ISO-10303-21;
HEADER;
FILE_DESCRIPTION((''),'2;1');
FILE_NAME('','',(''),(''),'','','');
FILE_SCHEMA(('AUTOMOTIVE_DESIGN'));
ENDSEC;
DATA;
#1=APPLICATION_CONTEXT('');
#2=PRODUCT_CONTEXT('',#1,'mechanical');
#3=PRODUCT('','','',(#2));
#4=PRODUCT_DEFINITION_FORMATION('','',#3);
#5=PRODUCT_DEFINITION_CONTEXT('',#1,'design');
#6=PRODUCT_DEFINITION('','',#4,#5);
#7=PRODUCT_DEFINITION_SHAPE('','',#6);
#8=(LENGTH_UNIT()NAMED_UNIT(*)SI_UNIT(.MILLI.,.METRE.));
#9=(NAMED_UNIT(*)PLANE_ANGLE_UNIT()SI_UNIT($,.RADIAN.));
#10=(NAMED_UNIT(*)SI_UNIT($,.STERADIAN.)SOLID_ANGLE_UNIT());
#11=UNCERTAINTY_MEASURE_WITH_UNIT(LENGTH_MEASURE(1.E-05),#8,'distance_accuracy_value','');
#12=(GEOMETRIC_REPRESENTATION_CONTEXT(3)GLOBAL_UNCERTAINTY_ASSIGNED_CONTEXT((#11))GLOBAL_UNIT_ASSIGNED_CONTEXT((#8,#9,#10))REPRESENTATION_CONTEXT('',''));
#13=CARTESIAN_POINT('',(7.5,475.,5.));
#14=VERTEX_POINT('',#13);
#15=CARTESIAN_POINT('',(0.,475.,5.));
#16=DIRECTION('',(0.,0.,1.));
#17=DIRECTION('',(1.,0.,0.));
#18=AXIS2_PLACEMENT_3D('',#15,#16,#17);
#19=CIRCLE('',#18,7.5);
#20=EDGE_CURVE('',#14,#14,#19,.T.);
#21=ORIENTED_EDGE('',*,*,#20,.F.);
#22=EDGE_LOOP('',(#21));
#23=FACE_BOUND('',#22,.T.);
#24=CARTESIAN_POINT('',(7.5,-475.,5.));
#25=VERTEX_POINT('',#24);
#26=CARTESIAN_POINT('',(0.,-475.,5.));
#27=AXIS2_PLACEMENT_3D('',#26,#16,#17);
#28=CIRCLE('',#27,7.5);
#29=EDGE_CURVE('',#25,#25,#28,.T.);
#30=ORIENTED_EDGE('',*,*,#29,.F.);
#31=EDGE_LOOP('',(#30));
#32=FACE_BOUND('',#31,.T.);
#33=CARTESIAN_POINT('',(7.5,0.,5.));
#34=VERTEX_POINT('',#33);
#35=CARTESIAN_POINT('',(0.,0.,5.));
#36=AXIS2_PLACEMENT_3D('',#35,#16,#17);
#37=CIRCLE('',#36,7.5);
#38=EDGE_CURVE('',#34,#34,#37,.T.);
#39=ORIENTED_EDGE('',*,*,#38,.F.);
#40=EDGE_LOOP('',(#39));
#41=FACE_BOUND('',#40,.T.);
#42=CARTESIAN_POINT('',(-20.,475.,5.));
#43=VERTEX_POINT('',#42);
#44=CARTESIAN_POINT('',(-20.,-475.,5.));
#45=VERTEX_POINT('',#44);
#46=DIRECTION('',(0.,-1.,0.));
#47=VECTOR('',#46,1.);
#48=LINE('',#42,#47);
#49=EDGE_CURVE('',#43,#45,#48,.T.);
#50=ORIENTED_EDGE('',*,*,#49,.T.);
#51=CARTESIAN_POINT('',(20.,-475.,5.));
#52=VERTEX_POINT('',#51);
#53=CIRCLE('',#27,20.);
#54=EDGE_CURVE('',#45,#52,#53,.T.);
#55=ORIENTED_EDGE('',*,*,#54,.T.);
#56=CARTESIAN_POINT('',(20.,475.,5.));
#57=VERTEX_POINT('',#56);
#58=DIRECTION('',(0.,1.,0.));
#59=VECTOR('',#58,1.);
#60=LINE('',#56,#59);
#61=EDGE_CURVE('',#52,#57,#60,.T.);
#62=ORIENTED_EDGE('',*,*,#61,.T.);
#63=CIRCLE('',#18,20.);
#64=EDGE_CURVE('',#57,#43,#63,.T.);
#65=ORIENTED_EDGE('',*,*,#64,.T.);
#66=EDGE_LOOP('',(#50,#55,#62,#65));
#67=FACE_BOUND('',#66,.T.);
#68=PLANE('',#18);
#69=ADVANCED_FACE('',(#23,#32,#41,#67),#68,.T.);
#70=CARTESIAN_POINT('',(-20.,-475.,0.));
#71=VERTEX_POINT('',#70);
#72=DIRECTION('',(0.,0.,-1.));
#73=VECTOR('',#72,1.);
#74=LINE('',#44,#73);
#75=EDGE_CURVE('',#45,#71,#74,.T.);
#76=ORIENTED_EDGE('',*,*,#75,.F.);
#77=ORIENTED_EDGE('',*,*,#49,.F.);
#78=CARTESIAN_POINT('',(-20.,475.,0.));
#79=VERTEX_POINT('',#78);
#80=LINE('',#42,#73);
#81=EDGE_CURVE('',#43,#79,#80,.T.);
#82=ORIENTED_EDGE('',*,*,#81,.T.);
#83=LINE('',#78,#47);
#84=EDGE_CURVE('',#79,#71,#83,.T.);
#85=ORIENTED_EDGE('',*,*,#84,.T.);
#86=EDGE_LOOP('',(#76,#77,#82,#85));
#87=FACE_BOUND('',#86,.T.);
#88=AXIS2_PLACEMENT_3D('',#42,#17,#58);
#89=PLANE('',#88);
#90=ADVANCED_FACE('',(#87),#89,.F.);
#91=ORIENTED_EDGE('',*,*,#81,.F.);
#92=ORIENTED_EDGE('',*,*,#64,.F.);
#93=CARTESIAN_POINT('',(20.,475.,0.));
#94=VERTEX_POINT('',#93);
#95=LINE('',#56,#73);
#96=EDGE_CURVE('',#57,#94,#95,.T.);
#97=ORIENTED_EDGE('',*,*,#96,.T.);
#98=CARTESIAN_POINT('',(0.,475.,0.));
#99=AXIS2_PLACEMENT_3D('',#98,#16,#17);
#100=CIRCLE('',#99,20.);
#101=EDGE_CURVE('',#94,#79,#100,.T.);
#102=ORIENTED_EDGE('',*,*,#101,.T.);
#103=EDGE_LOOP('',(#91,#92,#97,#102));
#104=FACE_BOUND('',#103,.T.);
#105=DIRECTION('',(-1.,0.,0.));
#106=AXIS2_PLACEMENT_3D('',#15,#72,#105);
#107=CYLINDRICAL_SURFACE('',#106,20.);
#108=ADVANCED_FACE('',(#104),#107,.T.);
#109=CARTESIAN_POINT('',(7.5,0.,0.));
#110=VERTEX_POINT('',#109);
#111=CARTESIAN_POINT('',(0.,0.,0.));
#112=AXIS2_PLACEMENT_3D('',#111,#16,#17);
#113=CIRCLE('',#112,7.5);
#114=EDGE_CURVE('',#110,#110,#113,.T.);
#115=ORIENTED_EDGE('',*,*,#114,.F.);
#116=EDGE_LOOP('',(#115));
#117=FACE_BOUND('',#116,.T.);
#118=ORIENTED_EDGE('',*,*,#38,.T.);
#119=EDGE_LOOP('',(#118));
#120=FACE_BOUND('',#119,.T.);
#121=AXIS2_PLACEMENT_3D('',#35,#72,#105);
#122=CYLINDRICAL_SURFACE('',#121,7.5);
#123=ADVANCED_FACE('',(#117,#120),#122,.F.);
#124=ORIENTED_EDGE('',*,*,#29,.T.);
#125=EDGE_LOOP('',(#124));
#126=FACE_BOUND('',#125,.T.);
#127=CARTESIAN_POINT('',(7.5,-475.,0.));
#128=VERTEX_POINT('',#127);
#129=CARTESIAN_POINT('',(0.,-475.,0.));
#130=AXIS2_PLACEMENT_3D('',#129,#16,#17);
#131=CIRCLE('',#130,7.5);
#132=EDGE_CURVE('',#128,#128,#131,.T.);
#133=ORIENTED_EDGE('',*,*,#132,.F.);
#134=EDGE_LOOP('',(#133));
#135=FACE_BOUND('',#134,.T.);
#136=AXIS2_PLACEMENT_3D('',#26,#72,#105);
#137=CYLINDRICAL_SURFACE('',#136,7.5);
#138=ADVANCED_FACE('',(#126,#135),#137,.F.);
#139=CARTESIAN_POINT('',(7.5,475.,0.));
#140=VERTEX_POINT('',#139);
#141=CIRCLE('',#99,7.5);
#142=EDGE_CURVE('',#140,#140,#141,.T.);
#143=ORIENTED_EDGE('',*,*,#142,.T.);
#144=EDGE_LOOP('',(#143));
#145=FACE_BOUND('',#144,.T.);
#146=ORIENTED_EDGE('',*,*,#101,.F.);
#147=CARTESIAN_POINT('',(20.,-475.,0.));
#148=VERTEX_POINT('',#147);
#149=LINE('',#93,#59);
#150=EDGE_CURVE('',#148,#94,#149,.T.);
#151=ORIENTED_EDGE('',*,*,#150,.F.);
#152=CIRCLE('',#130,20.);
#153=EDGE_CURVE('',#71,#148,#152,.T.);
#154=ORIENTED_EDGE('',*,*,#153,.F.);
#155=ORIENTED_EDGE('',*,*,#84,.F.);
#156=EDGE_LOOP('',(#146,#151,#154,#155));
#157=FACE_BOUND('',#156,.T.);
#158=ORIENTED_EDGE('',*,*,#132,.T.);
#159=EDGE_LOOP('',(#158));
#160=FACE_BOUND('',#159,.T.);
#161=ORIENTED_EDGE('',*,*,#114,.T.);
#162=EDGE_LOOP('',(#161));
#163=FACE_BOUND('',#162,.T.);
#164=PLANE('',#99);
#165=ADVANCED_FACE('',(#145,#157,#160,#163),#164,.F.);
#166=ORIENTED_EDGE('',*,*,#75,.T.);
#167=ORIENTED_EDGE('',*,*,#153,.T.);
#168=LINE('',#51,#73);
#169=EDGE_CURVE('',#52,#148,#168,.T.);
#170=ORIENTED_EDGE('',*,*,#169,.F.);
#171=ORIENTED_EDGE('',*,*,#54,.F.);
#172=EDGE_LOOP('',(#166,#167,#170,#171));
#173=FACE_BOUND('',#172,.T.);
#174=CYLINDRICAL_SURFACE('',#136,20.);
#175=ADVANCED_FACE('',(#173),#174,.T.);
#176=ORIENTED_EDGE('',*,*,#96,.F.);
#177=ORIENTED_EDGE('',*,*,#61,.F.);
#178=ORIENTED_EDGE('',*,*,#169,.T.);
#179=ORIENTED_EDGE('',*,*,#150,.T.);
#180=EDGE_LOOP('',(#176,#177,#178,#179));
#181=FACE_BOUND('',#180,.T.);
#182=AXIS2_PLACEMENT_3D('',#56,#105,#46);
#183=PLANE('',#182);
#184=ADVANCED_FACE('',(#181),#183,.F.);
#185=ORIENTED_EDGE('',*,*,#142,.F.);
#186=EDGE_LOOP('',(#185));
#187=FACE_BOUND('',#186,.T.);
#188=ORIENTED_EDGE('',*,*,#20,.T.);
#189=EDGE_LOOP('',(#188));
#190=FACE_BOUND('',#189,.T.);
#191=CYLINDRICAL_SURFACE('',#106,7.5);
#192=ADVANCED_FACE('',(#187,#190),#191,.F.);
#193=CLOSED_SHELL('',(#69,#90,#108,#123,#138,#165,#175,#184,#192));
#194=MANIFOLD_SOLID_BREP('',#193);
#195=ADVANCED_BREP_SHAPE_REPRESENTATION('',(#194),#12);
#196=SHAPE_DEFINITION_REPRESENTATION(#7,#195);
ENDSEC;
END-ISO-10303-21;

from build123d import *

# Parameters (mm, degrees)
SKETCH1_R           = 7.5
BOSS_EXTRUDE1_DEPTH = 5


with BuildPart() as part:
    # Sketch1 → Boss-Extrude1 (new body)
    with BuildSketch(Plane.XY):
        with BuildLine():
            Line((20, 475), (20, -475))
            ThreePointArc((20, -475), (0, -495), (-20, -475))
            Line((-20, -475), (-20, 475))
            ThreePointArc((-20, 475), (0, 495), (20, 475))
        make_face()
        with Locations((0, 475)):
            Circle(SKETCH1_R, mode=Mode.SUBTRACT)
        Circle(SKETCH1_R, mode=Mode.SUBTRACT)
        with Locations((0, -475)):
            Circle(SKETCH1_R, mode=Mode.SUBTRACT)
    extrude(amount=BOSS_EXTRUDE1_DEPTH)


solid = part.part
